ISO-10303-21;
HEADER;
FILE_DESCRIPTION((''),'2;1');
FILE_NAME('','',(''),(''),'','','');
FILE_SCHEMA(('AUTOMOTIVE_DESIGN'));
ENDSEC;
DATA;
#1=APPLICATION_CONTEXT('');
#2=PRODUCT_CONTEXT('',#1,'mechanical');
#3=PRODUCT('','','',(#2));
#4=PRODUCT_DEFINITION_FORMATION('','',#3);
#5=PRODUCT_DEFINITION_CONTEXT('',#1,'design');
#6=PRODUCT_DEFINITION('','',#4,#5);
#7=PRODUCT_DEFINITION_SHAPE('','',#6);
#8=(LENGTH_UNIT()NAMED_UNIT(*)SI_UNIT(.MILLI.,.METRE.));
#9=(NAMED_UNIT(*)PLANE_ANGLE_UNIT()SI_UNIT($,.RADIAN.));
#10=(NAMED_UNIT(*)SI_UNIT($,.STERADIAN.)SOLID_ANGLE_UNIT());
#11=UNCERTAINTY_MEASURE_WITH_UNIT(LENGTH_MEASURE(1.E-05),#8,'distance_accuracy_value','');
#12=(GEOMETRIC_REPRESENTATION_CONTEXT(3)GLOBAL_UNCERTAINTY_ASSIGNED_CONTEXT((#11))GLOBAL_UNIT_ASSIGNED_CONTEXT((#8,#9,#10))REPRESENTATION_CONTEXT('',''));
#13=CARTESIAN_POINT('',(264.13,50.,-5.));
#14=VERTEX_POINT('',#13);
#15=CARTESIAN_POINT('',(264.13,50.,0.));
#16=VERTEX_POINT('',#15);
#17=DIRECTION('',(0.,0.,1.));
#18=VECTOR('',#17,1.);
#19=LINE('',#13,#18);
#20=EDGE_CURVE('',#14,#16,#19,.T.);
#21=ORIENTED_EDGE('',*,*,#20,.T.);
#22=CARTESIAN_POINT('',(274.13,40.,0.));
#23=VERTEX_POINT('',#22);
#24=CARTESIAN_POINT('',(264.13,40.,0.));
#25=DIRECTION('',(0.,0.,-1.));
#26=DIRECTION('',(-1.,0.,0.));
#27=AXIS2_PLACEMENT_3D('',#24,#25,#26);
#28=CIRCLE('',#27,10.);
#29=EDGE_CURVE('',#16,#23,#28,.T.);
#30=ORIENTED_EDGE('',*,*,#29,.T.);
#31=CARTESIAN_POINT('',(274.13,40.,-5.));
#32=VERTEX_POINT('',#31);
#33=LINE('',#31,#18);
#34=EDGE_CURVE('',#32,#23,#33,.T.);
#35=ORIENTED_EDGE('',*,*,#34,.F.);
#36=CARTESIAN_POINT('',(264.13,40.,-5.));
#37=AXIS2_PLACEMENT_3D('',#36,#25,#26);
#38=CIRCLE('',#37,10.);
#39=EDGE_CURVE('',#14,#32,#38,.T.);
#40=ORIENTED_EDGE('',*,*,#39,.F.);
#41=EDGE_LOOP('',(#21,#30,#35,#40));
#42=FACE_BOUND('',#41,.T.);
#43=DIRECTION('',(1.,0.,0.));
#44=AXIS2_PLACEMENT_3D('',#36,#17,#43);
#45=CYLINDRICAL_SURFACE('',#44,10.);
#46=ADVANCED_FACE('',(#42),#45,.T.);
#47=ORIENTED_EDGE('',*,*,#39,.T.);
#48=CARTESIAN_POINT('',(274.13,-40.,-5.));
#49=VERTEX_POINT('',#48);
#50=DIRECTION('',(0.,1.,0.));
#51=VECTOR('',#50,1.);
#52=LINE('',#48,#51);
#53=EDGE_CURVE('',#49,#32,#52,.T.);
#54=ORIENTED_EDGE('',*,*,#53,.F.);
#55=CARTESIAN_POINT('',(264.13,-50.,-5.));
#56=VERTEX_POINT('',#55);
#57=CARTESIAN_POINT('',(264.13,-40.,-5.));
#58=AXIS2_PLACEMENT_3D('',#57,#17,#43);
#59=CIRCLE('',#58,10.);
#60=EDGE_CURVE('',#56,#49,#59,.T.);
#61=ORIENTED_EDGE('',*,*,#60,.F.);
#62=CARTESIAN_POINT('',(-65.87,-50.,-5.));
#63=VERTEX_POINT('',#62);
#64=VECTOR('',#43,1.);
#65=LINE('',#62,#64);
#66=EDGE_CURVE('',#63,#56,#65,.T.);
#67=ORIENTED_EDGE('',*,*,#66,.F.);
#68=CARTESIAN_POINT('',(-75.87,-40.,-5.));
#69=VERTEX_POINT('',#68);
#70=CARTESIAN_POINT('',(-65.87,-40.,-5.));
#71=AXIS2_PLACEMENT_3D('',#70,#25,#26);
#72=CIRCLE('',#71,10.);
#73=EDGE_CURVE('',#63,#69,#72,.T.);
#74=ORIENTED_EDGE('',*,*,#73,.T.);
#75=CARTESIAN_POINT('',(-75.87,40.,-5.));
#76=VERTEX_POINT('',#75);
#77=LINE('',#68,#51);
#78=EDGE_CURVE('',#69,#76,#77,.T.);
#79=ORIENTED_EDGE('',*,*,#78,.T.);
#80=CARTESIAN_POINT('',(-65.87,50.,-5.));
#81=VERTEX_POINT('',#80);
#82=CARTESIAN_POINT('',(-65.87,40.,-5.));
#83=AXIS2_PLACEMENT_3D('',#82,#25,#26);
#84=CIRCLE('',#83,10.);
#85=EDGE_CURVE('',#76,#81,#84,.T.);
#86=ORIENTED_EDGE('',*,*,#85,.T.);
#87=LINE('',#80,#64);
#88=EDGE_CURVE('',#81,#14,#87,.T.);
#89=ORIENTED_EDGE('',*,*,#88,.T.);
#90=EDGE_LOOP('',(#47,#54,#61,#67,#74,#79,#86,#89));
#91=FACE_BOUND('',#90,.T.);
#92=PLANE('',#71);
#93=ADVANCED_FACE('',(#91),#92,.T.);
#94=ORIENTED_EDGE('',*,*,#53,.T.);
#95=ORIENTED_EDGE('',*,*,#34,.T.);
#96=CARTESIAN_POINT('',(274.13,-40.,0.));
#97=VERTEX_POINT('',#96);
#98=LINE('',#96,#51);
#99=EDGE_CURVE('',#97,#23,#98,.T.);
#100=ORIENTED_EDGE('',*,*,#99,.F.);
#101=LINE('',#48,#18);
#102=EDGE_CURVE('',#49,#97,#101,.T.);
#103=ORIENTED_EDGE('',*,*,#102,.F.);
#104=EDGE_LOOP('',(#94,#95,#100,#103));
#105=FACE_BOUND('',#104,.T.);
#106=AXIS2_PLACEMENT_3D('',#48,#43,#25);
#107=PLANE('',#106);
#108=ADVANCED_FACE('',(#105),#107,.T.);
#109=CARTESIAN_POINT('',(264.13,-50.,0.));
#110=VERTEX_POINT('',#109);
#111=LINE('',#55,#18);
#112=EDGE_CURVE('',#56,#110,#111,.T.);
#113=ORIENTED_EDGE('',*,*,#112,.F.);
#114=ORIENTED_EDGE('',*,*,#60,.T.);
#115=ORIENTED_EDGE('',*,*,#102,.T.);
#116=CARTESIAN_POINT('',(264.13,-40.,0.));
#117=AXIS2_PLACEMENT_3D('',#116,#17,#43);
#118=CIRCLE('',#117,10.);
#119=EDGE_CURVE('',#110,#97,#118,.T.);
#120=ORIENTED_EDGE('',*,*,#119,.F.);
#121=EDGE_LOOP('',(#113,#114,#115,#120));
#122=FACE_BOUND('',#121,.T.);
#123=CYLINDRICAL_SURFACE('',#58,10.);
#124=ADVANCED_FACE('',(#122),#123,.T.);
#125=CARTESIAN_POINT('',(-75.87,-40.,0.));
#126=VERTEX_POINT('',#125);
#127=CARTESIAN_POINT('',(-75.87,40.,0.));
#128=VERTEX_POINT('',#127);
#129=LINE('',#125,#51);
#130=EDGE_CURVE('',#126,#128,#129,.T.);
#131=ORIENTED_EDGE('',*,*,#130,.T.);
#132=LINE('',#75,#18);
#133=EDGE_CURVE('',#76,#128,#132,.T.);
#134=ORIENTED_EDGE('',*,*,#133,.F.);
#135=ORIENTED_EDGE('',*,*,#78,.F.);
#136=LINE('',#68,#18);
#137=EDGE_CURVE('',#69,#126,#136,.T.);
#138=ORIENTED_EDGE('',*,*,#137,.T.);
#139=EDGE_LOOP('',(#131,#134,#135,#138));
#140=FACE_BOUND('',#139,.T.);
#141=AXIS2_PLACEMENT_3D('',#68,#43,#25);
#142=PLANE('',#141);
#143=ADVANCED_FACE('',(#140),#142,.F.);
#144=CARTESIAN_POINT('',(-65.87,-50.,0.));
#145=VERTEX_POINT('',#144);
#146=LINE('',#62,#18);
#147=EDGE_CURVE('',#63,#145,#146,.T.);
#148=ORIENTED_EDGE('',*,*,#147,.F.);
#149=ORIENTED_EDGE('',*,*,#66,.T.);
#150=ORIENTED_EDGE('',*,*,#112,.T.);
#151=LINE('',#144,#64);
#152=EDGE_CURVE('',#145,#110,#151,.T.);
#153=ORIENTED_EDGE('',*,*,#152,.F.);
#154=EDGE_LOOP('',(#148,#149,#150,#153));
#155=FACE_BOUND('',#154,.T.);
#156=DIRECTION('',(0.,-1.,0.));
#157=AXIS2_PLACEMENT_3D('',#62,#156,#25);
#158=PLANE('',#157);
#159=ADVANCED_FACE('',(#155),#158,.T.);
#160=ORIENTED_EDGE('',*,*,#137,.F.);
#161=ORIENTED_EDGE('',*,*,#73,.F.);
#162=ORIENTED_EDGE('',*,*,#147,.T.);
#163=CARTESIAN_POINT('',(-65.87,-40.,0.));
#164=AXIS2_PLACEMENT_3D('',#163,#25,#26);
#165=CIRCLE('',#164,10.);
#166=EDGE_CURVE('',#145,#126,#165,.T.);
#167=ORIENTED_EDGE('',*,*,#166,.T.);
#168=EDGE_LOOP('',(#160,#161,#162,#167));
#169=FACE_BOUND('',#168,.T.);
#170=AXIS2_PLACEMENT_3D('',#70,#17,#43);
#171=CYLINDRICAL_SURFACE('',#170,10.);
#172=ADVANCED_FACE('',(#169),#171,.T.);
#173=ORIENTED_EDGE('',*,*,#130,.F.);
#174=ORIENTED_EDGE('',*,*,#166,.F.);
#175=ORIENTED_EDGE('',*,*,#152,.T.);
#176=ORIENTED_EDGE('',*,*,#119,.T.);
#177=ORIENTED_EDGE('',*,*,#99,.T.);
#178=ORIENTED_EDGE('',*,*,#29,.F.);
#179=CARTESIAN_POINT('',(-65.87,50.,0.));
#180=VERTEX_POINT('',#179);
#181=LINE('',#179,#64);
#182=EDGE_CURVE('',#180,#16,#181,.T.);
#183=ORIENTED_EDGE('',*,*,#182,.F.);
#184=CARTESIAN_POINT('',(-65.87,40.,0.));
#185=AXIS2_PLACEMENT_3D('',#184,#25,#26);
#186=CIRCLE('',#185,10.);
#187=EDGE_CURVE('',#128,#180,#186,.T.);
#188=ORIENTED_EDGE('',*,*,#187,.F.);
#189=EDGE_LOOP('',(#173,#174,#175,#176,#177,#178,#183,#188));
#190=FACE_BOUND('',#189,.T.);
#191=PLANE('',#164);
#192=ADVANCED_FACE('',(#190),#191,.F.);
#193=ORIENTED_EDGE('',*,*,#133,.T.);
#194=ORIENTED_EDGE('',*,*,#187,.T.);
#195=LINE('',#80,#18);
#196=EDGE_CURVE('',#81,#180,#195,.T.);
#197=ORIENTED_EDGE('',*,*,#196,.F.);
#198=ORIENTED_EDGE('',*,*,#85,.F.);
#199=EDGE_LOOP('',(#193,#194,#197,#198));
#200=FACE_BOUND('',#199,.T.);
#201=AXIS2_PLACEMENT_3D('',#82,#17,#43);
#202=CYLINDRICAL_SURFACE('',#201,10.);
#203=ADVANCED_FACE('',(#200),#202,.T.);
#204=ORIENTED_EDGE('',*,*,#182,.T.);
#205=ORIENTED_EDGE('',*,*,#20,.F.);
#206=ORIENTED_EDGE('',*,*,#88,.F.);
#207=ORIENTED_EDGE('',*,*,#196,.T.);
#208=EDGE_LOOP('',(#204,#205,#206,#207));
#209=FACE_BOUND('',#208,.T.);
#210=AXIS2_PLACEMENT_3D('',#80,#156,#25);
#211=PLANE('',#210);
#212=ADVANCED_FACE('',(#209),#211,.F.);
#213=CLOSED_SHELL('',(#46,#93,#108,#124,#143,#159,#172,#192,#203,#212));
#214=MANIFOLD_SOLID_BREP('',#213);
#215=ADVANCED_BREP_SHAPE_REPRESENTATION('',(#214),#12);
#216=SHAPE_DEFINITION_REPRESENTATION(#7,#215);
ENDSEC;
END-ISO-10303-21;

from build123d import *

# Parameters (mm, degrees)
BOSS_EXTRUDE1_DEPTH = 5


with BuildPart() as part:
    # Sketch1 → Boss-Extrude1 (new body)
    with BuildSketch(Plane.XY):
        with BuildLine():
            Line((-65.87, -50), (264.13, -50))
            ThreePointArc((264.13, -50), (271.201067812, -47.071067812), (274.13, -40))
            Line((274.13, -40), (274.13, 40))
            ThreePointArc((274.13, 40), (271.201067812, 47.071067812), (264.13, 50))
            Line((264.13, 50), (-65.87, 50))
            ThreePointArc((-65.87, 50), (-72.941067812, 47.071067812), (-75.87, 40))
            Line((-75.87, 40), (-75.87, -40))
            ThreePointArc((-75.87, -40), (-72.941067812, -47.071067812), (-65.87, -50))
        make_face()
    extrude(amount=-BOSS_EXTRUDE1_DEPTH)


solid = part.part
